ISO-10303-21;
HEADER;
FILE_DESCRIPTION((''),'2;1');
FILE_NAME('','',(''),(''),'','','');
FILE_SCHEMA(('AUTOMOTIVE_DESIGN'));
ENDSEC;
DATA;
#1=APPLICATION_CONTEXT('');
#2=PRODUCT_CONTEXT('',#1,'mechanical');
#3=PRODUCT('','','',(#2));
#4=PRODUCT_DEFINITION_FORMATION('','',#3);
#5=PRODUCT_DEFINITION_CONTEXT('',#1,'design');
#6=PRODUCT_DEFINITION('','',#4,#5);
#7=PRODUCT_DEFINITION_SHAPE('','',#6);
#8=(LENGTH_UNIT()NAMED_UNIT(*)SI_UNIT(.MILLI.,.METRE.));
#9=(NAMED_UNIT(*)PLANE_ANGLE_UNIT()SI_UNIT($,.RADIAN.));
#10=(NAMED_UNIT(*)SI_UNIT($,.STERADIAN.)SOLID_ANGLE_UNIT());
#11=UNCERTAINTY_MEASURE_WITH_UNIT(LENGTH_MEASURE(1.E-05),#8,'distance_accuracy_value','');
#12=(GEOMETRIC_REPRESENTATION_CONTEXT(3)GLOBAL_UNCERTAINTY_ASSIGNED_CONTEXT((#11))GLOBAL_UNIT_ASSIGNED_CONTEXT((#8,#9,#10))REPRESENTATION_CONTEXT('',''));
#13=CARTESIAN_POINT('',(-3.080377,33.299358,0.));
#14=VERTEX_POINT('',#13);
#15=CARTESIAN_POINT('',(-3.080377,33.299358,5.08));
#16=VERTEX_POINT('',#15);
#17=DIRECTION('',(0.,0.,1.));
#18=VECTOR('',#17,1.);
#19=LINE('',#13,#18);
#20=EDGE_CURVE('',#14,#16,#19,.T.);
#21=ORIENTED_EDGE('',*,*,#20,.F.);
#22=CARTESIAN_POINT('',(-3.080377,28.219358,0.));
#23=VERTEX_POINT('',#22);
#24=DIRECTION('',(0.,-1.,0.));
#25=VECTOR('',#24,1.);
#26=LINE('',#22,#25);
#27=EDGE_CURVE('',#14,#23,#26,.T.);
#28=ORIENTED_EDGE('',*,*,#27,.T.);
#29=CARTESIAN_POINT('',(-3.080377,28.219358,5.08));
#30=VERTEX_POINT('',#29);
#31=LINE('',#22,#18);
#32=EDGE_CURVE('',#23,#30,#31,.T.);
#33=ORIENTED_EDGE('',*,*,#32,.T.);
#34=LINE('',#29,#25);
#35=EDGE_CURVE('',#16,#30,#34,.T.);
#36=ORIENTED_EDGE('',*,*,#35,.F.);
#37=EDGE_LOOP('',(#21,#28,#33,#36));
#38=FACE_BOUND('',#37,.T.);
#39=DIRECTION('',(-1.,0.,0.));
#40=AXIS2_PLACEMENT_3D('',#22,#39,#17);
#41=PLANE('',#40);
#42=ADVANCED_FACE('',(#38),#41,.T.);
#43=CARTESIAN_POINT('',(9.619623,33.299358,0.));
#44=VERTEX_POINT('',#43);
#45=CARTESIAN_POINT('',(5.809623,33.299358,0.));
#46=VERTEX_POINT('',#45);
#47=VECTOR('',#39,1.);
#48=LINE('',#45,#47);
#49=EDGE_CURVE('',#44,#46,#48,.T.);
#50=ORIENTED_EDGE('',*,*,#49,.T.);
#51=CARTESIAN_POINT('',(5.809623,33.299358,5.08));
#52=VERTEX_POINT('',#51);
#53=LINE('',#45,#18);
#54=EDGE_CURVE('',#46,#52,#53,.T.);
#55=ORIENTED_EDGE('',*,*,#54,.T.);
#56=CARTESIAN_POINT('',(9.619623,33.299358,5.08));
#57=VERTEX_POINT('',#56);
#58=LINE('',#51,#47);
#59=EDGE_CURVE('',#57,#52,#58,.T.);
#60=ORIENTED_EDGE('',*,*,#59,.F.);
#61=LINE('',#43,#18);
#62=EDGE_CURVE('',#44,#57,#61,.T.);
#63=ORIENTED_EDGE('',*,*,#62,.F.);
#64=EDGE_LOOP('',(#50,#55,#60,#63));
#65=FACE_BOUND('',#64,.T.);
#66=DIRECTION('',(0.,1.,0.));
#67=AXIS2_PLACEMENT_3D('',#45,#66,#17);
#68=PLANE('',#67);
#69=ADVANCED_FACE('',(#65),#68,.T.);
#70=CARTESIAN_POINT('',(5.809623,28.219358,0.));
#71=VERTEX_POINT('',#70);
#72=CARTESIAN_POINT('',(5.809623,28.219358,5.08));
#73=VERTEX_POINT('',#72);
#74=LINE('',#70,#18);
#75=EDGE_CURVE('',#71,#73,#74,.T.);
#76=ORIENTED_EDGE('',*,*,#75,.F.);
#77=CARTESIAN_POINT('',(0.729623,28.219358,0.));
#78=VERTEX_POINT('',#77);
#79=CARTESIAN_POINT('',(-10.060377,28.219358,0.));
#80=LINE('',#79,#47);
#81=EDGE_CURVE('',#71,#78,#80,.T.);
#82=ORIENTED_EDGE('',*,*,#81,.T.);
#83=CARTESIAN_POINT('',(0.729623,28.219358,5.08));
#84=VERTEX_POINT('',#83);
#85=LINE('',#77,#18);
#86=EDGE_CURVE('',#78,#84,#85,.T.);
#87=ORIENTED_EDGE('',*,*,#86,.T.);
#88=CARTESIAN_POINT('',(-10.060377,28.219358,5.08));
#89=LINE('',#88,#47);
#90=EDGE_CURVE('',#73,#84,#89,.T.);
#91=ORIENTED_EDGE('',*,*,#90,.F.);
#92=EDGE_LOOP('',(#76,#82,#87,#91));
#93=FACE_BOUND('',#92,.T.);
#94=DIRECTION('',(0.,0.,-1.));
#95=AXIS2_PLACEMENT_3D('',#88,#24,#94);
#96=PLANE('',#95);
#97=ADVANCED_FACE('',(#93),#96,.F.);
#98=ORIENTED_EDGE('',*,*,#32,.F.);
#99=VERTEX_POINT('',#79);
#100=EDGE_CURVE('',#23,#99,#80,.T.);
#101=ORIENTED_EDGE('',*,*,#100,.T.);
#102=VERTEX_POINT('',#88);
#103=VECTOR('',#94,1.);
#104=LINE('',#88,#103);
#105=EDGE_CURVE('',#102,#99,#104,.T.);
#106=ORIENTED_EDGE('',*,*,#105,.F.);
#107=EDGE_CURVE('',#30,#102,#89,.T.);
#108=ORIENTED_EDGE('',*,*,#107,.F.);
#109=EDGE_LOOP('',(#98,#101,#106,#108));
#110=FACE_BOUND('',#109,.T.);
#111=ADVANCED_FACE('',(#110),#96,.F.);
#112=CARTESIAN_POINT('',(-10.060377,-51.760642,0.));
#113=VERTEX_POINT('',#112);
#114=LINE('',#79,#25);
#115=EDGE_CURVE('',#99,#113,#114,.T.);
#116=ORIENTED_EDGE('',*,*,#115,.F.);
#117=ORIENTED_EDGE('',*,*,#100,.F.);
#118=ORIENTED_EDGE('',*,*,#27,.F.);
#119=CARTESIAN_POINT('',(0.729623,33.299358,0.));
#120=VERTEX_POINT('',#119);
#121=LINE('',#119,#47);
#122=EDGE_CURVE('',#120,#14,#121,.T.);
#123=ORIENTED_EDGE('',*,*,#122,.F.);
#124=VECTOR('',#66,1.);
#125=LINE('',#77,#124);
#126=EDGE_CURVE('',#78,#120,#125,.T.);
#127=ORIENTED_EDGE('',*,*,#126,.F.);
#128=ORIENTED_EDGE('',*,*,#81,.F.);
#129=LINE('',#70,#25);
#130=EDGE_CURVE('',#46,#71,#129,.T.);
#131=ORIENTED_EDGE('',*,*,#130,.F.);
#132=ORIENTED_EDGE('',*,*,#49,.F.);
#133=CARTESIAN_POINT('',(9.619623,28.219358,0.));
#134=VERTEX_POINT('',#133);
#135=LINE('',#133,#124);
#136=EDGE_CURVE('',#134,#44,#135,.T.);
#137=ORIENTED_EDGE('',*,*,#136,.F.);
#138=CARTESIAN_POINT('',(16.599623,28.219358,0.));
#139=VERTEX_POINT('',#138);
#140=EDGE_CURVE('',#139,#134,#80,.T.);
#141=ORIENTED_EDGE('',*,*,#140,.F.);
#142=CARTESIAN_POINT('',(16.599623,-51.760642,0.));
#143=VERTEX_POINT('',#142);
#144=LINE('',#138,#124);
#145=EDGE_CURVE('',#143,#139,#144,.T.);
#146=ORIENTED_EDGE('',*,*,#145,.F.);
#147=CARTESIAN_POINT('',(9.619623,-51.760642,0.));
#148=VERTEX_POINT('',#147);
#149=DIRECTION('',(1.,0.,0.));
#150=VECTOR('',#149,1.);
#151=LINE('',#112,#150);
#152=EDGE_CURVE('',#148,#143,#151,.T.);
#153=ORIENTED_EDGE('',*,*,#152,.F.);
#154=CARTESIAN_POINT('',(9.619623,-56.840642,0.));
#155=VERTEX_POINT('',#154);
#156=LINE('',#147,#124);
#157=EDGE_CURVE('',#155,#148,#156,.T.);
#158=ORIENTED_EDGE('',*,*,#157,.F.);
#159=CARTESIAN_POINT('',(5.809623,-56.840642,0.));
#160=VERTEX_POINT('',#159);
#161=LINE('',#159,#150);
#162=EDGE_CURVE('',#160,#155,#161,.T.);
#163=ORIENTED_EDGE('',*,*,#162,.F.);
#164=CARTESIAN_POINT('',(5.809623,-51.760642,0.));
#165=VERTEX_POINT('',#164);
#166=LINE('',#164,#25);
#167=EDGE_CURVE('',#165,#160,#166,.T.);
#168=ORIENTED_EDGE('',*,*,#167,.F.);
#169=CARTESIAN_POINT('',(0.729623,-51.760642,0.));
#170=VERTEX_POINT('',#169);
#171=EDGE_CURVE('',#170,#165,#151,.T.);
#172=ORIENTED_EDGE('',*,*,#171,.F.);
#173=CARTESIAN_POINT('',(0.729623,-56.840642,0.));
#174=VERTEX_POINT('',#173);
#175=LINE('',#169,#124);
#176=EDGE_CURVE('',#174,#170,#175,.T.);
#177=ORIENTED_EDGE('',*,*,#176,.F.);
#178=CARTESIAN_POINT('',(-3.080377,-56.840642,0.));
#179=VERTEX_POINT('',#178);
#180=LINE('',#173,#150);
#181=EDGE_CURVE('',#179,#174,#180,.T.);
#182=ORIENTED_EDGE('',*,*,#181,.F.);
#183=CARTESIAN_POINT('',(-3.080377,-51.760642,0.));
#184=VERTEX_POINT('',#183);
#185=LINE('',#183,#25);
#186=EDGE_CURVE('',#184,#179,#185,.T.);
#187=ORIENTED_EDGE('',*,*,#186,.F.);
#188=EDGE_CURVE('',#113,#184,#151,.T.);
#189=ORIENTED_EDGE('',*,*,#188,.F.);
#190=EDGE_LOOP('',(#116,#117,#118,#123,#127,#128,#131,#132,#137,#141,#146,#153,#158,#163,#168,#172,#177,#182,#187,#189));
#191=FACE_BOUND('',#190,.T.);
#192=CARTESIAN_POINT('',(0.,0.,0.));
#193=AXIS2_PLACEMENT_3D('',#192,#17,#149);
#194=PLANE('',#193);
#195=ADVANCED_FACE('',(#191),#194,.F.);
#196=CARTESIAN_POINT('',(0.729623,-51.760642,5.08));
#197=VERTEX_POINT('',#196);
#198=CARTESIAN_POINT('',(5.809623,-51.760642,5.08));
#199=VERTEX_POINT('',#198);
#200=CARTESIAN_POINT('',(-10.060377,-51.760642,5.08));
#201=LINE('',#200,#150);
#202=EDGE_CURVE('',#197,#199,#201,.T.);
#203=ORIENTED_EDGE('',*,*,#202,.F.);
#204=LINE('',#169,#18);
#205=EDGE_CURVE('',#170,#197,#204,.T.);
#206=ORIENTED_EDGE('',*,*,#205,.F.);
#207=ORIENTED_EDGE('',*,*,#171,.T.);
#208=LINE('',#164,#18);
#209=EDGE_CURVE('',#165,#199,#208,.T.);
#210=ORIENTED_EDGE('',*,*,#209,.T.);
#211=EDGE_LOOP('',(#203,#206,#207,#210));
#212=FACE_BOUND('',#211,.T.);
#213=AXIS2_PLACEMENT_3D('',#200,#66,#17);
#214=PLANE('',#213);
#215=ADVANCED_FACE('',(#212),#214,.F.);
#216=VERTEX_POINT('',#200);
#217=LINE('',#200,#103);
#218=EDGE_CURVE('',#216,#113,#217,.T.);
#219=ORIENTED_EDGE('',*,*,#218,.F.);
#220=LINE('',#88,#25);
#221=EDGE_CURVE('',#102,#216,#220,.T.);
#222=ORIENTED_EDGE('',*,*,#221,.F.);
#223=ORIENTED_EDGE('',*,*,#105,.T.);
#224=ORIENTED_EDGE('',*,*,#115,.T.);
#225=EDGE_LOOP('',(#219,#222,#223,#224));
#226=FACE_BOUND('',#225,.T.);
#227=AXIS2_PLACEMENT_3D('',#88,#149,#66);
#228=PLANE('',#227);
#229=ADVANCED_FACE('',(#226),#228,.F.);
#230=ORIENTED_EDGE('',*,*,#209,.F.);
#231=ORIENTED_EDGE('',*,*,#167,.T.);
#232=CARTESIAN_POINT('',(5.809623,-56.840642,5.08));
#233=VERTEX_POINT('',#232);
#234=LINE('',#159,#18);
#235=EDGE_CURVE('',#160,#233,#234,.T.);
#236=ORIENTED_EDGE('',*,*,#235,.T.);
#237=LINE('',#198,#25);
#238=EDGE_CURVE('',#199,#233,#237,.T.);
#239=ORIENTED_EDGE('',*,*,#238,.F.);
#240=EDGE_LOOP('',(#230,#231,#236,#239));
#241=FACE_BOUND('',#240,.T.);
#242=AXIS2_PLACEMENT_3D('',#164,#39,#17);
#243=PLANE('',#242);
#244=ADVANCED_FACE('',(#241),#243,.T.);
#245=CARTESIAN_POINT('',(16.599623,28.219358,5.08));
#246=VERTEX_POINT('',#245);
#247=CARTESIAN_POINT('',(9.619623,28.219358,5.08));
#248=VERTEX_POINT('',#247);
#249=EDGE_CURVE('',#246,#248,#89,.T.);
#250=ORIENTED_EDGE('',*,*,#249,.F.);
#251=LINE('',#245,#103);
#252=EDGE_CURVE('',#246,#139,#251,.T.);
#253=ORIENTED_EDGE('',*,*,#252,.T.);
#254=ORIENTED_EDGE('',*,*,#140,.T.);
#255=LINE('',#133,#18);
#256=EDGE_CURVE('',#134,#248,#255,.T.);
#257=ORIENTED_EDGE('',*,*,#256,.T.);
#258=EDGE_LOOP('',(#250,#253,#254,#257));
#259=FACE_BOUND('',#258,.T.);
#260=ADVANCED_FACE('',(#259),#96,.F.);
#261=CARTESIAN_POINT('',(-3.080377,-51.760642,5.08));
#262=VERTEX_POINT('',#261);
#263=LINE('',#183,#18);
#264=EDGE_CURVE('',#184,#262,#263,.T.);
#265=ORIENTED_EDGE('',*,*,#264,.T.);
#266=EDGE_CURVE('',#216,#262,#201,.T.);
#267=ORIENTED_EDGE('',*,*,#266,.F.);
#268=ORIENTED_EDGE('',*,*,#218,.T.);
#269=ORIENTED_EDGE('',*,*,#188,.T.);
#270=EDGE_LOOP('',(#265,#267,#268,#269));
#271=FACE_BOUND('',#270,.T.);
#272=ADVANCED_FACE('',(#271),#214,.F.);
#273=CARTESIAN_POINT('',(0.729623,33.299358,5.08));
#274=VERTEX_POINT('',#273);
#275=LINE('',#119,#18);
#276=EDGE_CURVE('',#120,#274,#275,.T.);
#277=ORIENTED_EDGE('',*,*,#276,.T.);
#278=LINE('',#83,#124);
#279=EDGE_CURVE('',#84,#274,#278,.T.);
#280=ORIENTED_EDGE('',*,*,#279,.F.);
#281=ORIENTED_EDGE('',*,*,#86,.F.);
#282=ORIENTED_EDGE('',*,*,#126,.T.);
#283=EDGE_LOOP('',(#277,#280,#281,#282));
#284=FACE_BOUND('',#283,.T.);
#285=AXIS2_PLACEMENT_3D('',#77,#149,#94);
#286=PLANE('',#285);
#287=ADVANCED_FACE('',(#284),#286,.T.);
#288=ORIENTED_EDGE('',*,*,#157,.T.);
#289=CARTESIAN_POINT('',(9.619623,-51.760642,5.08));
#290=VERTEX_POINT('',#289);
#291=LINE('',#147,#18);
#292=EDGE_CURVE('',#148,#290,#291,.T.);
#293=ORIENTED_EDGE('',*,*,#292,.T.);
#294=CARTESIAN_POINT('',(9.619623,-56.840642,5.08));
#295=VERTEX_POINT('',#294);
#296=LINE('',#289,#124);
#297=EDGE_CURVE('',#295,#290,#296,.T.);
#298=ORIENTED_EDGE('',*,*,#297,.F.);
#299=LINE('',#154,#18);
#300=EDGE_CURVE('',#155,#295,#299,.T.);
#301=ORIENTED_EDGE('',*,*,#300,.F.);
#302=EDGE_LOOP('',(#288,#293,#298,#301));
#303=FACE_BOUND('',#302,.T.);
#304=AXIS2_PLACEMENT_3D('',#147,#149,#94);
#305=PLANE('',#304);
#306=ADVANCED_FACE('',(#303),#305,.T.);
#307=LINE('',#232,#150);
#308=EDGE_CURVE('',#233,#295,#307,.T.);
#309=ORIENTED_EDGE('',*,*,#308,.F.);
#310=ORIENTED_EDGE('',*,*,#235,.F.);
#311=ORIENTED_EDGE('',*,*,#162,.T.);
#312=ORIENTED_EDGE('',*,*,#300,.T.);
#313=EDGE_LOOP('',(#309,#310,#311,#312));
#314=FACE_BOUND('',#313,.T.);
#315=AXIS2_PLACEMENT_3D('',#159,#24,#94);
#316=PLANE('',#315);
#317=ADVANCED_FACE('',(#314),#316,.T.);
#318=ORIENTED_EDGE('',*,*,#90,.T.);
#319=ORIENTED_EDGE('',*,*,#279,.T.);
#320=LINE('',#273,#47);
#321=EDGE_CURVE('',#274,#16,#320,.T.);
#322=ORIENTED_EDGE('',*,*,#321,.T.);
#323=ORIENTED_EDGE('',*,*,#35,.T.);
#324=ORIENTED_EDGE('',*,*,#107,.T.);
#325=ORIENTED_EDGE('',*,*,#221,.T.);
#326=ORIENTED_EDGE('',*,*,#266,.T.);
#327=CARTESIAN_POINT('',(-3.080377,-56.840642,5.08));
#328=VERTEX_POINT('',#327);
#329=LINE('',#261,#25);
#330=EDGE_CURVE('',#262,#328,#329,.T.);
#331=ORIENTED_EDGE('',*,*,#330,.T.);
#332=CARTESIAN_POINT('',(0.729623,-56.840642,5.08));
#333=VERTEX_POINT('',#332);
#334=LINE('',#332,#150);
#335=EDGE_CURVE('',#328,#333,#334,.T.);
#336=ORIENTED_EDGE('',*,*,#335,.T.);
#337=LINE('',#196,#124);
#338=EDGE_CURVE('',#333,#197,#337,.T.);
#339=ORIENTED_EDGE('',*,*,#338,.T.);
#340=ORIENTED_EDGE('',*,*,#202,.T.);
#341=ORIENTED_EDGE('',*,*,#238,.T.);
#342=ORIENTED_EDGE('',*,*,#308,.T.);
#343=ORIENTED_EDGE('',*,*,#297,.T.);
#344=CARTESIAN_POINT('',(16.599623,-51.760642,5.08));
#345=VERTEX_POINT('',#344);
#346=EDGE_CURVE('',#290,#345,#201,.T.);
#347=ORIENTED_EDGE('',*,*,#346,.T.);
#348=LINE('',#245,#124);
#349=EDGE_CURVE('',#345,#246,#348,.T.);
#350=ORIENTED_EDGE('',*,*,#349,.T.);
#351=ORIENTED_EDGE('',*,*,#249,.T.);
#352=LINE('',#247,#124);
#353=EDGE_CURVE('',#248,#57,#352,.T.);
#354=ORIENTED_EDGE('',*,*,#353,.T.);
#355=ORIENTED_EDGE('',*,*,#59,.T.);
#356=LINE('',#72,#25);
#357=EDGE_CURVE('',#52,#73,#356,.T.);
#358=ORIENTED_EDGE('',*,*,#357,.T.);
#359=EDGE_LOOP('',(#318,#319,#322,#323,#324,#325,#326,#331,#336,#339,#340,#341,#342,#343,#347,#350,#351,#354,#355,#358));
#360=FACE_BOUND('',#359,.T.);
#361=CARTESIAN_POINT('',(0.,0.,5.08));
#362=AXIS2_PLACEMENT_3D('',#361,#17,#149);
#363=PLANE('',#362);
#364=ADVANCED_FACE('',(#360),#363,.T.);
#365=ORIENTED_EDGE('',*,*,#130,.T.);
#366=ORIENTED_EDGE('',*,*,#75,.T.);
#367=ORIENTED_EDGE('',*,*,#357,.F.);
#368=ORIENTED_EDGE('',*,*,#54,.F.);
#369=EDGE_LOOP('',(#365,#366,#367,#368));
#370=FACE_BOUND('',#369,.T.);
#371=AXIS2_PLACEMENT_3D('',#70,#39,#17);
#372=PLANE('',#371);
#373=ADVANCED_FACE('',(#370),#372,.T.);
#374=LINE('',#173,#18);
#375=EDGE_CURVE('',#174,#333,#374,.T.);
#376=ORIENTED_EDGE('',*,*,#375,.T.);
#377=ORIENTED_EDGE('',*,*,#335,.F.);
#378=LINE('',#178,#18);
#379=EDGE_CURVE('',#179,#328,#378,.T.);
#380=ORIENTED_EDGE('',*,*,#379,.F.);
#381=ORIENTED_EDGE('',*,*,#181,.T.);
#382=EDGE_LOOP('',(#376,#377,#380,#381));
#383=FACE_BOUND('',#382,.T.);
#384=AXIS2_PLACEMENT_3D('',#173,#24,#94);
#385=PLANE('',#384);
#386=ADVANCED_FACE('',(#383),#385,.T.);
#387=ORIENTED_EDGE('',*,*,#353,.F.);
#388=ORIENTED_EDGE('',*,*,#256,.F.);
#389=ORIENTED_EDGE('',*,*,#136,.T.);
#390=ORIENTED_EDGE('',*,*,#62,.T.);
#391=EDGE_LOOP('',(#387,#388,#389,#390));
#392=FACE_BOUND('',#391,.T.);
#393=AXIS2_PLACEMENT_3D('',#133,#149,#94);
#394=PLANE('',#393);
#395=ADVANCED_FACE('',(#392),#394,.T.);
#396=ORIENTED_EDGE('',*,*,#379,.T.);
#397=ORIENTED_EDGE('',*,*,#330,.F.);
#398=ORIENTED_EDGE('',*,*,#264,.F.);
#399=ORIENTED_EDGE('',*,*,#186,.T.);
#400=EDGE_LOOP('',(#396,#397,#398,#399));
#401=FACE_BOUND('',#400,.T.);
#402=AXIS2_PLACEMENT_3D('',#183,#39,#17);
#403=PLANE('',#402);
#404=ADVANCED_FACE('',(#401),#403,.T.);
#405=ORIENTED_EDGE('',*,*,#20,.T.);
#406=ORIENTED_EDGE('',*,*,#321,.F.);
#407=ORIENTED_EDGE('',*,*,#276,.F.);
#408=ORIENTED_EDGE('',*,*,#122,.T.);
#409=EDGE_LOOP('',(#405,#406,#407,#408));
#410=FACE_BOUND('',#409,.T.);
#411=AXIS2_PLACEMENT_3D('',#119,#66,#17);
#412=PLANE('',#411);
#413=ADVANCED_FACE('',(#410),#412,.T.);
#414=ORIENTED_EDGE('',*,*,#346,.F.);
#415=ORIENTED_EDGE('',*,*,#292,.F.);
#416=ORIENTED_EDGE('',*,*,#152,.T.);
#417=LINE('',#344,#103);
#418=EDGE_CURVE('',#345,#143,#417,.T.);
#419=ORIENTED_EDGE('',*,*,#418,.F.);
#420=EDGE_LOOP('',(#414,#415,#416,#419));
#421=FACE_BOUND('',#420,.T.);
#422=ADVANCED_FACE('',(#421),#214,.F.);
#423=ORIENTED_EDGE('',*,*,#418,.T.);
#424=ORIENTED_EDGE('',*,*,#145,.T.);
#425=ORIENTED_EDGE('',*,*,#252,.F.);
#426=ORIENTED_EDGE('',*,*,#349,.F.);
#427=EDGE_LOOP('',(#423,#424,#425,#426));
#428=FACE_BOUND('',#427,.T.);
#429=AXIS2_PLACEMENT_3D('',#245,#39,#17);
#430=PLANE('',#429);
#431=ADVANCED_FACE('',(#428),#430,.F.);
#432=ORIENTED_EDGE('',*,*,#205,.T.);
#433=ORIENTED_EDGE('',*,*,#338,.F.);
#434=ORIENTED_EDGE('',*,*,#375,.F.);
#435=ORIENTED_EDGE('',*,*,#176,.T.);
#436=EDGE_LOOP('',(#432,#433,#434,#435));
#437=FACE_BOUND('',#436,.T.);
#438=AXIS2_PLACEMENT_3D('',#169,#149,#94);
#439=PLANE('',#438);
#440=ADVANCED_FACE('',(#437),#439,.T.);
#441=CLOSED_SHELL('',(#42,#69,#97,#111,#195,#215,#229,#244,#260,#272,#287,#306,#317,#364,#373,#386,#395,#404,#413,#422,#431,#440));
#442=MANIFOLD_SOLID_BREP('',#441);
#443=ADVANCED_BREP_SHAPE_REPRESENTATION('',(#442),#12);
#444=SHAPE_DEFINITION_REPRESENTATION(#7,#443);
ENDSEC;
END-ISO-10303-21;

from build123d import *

# Parameters (mm, degrees)
SKETCH1_W           = 26.66
SKETCH1_H           = 79.98
BOSS_EXTRUDE1_DEPTH = 5.08
SKETCH2_W           = 3.81
SKETCH2_H           = 5.08
BOSS_EXTRUDE2_DEPTH = 5.08


with BuildPart() as part:
    # Sketch1 → Boss-Extrude1 (new body)
    with BuildSketch(Plane.XY):
        with Locations((3.269622642, -11.770641509)):
            Rectangle(SKETCH1_W, SKETCH1_H)
    extrude(amount=BOSS_EXTRUDE1_DEPTH)

    # Sketch2 → Boss-Extrude2 (add)
    with BuildSketch(Plane.XY.offset(5.08)):
        with Locations((-1.175377358, -54.300641509)):
            Rectangle(SKETCH2_W, SKETCH2_H)
        with Locations((7.714622642, 30.759358491)):
            Rectangle(SKETCH2_W, SKETCH2_H)
        with Locations((-1.175377358, 30.759358491)):
            Rectangle(SKETCH2_W, SKETCH2_H)
        with Locations((7.714622642, -54.300641509)):
            Rectangle(SKETCH2_W, SKETCH2_H)
    extrude(amount=-BOSS_EXTRUDE2_DEPTH)


solid = part.part
